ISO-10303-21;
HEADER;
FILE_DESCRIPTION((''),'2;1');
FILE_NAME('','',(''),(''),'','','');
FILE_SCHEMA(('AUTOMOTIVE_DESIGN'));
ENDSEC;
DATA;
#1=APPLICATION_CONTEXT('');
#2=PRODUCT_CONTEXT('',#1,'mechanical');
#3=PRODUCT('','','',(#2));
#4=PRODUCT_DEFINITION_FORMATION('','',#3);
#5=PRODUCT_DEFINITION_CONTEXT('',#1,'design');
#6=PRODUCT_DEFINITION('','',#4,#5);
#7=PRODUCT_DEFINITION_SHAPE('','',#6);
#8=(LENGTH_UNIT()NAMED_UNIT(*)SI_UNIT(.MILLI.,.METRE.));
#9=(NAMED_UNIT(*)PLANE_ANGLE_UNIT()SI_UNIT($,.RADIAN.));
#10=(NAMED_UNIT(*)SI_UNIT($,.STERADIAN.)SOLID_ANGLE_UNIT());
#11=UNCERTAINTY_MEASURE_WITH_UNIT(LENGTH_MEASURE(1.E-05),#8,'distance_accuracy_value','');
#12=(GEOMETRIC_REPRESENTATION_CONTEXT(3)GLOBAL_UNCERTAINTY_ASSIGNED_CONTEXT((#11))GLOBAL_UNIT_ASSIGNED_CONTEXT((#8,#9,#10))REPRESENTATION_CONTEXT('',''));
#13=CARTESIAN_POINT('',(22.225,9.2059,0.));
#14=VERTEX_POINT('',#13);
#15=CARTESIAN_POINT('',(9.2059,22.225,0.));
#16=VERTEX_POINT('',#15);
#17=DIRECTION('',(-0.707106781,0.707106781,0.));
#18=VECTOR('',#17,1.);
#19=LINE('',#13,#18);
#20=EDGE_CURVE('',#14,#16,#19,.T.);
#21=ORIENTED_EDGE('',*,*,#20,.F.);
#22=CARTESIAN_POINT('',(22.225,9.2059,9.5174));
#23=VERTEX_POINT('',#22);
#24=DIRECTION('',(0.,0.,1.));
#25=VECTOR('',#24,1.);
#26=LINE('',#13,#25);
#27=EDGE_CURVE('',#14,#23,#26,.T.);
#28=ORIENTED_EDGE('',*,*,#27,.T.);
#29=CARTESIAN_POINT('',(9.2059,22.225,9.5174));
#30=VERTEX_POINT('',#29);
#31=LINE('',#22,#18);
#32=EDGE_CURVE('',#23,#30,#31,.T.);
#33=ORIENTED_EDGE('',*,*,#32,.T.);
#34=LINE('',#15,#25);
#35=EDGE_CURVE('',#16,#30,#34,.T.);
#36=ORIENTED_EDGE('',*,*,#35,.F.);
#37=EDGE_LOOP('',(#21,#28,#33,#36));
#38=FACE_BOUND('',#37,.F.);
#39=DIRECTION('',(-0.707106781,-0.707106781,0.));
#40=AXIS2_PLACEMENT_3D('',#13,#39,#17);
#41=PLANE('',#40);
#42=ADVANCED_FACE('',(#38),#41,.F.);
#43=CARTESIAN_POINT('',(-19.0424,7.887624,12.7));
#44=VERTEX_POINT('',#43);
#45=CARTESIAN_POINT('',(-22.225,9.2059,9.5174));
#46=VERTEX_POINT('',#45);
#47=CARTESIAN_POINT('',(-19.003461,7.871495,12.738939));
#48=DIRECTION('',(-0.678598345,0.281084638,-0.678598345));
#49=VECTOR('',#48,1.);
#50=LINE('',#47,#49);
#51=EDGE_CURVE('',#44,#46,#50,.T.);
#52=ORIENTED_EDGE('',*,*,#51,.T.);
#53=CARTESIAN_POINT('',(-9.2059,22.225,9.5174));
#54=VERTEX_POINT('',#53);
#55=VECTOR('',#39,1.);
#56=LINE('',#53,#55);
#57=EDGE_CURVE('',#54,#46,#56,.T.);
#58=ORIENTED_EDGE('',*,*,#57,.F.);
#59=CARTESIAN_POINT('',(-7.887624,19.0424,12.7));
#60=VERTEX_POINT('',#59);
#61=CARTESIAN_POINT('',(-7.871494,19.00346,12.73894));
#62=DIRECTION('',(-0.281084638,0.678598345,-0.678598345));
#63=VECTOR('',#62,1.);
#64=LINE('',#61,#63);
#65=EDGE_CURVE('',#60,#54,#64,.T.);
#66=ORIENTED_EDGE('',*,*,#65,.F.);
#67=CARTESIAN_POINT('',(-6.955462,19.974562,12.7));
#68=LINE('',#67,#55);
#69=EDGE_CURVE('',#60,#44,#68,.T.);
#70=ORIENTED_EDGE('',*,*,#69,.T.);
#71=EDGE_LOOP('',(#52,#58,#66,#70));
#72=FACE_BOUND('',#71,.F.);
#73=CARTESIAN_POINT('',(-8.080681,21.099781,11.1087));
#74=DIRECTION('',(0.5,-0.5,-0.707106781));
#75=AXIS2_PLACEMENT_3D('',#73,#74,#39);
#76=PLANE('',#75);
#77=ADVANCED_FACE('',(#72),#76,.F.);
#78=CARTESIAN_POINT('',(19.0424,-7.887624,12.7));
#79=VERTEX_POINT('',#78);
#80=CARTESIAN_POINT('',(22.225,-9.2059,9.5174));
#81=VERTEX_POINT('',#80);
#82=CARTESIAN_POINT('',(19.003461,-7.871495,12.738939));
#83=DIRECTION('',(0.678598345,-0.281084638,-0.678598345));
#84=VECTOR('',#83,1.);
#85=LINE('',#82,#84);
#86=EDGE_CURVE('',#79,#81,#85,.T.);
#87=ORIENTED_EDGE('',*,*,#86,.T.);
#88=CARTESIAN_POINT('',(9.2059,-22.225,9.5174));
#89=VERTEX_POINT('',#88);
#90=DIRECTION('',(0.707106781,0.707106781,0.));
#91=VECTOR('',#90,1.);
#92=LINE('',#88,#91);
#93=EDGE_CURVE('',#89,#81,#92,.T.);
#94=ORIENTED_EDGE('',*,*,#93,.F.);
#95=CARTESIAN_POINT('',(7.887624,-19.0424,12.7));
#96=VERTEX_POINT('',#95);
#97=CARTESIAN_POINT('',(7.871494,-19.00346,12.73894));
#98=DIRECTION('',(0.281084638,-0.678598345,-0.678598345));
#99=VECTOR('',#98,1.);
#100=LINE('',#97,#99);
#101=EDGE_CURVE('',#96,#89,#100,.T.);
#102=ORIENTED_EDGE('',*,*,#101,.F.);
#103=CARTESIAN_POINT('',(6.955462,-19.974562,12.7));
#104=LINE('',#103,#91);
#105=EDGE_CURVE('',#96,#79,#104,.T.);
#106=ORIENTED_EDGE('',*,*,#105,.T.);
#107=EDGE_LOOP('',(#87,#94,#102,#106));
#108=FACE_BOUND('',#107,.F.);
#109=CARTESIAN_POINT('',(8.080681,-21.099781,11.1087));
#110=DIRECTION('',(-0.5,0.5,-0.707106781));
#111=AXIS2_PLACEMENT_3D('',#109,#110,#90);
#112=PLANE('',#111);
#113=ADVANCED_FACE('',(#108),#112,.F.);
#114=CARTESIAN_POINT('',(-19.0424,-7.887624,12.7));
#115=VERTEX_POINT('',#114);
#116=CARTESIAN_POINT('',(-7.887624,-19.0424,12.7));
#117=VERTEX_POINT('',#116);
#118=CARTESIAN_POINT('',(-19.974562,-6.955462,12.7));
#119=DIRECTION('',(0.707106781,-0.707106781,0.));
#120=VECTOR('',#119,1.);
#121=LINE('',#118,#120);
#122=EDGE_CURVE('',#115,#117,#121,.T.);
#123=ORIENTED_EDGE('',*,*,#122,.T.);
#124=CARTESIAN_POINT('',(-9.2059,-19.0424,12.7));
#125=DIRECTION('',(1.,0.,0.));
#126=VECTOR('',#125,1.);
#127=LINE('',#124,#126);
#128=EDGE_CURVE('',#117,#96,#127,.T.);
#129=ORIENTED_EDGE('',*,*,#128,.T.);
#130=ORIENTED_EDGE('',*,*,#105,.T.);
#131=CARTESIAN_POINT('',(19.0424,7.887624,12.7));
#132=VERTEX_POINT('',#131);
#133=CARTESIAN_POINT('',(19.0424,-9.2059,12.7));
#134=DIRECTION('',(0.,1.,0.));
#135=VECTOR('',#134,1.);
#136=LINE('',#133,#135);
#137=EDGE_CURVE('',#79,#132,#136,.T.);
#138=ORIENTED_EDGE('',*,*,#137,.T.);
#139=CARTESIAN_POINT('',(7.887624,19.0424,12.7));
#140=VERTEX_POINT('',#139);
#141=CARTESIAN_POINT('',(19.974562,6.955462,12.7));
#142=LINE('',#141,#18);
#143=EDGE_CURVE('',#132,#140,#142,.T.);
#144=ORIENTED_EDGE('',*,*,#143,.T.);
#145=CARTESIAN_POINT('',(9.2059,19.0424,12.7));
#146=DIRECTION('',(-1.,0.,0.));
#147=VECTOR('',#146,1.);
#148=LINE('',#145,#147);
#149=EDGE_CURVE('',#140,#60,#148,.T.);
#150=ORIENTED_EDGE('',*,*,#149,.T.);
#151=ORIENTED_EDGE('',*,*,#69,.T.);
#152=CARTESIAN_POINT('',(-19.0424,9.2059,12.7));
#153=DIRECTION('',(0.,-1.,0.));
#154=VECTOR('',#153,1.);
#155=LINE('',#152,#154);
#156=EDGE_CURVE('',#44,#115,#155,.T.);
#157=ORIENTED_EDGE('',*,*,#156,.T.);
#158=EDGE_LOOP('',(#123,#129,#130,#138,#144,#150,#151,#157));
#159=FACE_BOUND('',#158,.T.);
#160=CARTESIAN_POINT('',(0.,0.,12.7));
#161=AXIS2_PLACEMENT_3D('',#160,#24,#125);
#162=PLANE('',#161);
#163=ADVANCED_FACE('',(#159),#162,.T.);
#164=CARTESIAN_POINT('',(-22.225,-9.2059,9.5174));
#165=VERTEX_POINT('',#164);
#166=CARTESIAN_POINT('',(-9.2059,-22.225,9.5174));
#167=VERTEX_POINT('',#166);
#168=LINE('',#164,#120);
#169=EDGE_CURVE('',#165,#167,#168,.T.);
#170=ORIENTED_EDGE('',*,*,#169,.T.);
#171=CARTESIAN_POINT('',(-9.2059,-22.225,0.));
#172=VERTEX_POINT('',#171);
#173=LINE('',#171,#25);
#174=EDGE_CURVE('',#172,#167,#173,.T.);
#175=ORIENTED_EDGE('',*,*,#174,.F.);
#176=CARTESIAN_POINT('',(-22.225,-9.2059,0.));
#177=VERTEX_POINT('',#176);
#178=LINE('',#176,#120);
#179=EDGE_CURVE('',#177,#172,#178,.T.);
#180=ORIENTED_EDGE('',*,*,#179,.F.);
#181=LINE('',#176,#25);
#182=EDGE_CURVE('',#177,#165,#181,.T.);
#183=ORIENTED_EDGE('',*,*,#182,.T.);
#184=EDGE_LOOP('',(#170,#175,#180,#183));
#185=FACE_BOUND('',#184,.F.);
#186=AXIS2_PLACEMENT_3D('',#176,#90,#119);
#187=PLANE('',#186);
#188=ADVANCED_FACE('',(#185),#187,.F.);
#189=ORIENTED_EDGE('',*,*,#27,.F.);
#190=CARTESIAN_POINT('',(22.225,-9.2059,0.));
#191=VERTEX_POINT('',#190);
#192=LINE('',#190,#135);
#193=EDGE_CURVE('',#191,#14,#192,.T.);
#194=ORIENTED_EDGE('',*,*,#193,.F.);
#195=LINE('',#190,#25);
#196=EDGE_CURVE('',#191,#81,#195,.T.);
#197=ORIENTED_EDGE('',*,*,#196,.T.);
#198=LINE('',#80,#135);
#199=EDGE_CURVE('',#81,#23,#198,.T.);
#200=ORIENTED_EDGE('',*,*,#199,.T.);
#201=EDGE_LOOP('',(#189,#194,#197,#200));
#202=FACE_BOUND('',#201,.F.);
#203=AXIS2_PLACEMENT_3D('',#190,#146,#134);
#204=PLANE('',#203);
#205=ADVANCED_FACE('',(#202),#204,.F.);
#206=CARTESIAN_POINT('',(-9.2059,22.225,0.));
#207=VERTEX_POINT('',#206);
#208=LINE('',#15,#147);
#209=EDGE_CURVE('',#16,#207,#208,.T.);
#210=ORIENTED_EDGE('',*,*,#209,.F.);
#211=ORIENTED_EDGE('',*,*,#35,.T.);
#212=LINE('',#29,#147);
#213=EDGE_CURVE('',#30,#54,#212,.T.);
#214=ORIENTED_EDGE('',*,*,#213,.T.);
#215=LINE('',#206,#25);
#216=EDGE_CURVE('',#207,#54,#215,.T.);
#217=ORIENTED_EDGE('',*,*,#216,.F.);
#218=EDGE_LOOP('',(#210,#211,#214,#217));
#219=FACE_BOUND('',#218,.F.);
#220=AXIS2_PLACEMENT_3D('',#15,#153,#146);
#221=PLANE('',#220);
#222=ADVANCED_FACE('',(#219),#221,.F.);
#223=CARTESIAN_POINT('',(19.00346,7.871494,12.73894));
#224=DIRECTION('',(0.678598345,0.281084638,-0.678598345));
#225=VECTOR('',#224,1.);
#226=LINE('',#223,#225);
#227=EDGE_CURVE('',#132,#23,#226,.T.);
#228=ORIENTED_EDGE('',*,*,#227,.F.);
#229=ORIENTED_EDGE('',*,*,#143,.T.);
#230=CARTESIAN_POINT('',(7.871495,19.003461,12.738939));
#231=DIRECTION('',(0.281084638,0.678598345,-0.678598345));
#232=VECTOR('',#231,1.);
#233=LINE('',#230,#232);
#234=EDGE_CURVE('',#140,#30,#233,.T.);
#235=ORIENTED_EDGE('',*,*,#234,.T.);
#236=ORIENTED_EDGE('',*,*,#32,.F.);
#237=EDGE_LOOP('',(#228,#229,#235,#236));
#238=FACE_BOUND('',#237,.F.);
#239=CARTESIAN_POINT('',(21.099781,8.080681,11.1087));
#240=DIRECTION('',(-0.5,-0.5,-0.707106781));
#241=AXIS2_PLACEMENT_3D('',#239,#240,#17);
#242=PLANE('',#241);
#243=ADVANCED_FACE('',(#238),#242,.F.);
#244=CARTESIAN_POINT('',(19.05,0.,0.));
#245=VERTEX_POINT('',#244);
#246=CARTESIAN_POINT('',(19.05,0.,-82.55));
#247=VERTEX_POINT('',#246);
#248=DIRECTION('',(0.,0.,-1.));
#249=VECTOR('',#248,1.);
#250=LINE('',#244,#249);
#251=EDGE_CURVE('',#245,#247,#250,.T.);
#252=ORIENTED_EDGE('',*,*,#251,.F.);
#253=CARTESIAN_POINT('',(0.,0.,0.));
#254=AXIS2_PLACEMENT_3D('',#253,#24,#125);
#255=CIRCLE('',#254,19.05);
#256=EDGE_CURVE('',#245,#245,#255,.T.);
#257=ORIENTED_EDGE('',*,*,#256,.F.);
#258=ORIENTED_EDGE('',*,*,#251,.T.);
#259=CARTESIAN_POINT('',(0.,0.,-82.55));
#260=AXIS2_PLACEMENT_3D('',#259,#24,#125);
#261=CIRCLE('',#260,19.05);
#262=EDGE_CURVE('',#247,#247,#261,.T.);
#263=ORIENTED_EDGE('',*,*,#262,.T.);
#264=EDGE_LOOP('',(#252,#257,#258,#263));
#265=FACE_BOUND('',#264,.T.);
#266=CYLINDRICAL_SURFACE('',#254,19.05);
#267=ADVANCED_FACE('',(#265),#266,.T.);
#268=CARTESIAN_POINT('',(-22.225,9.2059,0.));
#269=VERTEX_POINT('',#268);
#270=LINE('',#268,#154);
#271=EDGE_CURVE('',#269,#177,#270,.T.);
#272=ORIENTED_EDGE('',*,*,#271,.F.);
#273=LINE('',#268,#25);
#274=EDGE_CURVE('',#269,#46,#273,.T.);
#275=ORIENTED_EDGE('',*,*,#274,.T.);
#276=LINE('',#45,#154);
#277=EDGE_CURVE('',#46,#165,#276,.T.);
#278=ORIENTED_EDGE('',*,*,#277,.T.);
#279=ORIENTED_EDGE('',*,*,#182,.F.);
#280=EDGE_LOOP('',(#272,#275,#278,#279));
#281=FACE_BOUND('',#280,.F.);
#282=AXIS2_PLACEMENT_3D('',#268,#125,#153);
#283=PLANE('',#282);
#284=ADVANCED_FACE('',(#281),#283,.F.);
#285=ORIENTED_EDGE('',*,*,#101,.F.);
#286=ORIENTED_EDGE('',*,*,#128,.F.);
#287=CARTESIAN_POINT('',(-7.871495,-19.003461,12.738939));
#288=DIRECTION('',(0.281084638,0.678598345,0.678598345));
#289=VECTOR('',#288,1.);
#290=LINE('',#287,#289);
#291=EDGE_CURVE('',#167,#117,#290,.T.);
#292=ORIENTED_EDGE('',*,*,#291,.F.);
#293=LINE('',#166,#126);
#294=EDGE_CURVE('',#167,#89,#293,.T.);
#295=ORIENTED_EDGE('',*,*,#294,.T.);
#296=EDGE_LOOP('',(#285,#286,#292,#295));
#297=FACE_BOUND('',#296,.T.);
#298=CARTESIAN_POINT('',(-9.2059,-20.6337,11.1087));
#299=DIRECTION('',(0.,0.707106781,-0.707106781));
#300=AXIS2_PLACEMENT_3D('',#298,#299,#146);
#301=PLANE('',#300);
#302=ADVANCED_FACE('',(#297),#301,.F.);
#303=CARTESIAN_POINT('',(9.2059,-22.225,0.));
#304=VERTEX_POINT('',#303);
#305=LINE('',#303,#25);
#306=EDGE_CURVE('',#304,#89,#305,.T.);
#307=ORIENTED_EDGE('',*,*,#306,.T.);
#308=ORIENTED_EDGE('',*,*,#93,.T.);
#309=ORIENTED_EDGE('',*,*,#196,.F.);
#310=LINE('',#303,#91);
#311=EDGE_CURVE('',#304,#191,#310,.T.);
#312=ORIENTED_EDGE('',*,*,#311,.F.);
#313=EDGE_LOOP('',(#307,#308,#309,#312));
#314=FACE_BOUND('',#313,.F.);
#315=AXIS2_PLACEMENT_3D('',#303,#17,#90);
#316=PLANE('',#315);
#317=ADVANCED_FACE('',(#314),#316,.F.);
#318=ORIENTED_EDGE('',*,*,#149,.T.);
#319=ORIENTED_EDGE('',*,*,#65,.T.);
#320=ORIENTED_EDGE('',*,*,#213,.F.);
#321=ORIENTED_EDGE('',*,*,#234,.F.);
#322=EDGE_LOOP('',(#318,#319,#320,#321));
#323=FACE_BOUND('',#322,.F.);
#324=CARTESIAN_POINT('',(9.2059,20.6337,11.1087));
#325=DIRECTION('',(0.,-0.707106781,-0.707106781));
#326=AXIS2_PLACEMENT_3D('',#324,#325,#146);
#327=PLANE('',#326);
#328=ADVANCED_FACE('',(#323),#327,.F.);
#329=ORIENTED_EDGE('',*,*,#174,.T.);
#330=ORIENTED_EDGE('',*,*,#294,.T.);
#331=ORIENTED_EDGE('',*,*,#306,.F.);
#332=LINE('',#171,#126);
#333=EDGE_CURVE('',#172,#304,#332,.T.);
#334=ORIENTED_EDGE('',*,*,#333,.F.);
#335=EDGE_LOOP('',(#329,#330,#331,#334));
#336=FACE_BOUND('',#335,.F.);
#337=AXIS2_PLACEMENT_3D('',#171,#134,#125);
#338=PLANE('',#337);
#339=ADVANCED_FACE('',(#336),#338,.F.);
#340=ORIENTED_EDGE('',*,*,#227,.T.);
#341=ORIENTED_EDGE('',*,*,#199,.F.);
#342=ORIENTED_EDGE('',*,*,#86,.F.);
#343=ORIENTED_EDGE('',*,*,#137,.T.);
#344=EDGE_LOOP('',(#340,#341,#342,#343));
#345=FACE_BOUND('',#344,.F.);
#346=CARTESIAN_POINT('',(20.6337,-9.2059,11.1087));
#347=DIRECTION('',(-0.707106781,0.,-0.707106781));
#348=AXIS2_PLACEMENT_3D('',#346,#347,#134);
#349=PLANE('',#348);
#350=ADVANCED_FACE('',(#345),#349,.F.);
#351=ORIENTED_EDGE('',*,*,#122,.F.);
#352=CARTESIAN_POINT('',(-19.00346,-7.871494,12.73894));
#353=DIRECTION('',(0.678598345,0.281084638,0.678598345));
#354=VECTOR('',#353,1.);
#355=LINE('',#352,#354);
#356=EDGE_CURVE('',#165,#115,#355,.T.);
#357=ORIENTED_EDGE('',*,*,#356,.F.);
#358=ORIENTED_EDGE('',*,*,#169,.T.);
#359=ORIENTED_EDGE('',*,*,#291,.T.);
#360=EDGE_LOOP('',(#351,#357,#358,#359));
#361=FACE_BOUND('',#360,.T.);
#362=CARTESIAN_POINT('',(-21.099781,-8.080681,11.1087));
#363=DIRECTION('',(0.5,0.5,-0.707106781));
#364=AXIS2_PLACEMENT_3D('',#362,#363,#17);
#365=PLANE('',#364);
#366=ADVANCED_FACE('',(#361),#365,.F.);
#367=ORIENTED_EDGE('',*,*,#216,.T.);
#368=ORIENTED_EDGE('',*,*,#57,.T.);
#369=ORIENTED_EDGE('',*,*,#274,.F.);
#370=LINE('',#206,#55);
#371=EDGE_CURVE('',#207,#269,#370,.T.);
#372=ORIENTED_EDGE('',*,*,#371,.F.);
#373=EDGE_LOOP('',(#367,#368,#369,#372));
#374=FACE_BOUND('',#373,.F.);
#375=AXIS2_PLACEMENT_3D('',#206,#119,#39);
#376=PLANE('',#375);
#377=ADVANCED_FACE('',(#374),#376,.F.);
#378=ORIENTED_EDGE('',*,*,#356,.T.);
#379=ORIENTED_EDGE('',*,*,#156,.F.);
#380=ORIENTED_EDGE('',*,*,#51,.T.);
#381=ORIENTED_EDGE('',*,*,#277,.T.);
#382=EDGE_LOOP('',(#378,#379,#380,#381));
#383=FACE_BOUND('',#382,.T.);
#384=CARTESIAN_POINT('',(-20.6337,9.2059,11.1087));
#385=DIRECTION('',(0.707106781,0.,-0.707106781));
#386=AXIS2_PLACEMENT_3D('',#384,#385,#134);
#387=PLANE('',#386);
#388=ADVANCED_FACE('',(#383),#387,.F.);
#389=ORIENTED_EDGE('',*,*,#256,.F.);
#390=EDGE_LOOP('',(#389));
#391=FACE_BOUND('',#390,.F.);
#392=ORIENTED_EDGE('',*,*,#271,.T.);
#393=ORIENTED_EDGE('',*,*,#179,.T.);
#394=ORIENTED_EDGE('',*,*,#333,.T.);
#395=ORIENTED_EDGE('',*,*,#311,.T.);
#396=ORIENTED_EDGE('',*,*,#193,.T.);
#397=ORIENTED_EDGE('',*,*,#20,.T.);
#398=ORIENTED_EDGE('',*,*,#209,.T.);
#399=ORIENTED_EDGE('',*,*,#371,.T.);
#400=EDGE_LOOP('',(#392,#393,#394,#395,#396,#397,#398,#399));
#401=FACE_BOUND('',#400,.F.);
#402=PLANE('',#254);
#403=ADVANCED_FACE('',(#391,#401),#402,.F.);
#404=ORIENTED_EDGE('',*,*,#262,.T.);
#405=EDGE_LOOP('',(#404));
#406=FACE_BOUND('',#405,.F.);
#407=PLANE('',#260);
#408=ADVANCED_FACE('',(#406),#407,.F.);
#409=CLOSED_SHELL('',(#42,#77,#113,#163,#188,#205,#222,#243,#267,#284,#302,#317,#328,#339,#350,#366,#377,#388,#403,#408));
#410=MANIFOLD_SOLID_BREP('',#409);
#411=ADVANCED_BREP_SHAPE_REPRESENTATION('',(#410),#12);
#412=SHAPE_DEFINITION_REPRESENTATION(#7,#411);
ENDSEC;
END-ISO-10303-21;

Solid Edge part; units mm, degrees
sketch "Sketch1" plane through (0, 0, 0) normal (0, 0, 1) x (1, 0, 0)
  circle A0 centre (0, 0) radius 19.05
extrude "Protrusion1" add sketch "Sketch1" against normal blind 82.55
sketch "Sketch2" plane through (0, 0, 0) normal (0, 0, 1) x (1, 0, 0)
  line L0 (-22.225, -9.2059) -> (-9.2059, -22.225)
  line L1 (-9.2059, -22.225) -> (9.2059, -22.225)
  line L2 (9.2059, -22.225) -> (22.225, -9.2059)
  line L3 (22.225, -9.2059) -> (22.225, 9.2059)
  line L4 (22.225, 9.2059) -> (9.2059, 22.225)
  line L5 (9.2059, 22.225) -> (-9.2059, 22.225)
  line L6 (-9.2059, 22.225) -> (-22.225, 9.2059)
  line L7 (-22.225, 9.2059) -> (-22.225, -9.2059)
extrude "ExtrudedProtrusion_2" add sketch "Sketch2" along normal blind 12.7
chamfer "Chamfer_1" distance 3.1826 angle 45 8 edges at (15.7154, -15.7154, 12.7) (22.225, 0, 12.7) (15.7154, 15.7154, 12.7) (0, 22.225, 12.7) (-15.7154, 15.7154, 12.7) (-22.225, 0, 12.7) (-15.7154, -15.7154, 12.7) (0, -22.225, 12.7)
